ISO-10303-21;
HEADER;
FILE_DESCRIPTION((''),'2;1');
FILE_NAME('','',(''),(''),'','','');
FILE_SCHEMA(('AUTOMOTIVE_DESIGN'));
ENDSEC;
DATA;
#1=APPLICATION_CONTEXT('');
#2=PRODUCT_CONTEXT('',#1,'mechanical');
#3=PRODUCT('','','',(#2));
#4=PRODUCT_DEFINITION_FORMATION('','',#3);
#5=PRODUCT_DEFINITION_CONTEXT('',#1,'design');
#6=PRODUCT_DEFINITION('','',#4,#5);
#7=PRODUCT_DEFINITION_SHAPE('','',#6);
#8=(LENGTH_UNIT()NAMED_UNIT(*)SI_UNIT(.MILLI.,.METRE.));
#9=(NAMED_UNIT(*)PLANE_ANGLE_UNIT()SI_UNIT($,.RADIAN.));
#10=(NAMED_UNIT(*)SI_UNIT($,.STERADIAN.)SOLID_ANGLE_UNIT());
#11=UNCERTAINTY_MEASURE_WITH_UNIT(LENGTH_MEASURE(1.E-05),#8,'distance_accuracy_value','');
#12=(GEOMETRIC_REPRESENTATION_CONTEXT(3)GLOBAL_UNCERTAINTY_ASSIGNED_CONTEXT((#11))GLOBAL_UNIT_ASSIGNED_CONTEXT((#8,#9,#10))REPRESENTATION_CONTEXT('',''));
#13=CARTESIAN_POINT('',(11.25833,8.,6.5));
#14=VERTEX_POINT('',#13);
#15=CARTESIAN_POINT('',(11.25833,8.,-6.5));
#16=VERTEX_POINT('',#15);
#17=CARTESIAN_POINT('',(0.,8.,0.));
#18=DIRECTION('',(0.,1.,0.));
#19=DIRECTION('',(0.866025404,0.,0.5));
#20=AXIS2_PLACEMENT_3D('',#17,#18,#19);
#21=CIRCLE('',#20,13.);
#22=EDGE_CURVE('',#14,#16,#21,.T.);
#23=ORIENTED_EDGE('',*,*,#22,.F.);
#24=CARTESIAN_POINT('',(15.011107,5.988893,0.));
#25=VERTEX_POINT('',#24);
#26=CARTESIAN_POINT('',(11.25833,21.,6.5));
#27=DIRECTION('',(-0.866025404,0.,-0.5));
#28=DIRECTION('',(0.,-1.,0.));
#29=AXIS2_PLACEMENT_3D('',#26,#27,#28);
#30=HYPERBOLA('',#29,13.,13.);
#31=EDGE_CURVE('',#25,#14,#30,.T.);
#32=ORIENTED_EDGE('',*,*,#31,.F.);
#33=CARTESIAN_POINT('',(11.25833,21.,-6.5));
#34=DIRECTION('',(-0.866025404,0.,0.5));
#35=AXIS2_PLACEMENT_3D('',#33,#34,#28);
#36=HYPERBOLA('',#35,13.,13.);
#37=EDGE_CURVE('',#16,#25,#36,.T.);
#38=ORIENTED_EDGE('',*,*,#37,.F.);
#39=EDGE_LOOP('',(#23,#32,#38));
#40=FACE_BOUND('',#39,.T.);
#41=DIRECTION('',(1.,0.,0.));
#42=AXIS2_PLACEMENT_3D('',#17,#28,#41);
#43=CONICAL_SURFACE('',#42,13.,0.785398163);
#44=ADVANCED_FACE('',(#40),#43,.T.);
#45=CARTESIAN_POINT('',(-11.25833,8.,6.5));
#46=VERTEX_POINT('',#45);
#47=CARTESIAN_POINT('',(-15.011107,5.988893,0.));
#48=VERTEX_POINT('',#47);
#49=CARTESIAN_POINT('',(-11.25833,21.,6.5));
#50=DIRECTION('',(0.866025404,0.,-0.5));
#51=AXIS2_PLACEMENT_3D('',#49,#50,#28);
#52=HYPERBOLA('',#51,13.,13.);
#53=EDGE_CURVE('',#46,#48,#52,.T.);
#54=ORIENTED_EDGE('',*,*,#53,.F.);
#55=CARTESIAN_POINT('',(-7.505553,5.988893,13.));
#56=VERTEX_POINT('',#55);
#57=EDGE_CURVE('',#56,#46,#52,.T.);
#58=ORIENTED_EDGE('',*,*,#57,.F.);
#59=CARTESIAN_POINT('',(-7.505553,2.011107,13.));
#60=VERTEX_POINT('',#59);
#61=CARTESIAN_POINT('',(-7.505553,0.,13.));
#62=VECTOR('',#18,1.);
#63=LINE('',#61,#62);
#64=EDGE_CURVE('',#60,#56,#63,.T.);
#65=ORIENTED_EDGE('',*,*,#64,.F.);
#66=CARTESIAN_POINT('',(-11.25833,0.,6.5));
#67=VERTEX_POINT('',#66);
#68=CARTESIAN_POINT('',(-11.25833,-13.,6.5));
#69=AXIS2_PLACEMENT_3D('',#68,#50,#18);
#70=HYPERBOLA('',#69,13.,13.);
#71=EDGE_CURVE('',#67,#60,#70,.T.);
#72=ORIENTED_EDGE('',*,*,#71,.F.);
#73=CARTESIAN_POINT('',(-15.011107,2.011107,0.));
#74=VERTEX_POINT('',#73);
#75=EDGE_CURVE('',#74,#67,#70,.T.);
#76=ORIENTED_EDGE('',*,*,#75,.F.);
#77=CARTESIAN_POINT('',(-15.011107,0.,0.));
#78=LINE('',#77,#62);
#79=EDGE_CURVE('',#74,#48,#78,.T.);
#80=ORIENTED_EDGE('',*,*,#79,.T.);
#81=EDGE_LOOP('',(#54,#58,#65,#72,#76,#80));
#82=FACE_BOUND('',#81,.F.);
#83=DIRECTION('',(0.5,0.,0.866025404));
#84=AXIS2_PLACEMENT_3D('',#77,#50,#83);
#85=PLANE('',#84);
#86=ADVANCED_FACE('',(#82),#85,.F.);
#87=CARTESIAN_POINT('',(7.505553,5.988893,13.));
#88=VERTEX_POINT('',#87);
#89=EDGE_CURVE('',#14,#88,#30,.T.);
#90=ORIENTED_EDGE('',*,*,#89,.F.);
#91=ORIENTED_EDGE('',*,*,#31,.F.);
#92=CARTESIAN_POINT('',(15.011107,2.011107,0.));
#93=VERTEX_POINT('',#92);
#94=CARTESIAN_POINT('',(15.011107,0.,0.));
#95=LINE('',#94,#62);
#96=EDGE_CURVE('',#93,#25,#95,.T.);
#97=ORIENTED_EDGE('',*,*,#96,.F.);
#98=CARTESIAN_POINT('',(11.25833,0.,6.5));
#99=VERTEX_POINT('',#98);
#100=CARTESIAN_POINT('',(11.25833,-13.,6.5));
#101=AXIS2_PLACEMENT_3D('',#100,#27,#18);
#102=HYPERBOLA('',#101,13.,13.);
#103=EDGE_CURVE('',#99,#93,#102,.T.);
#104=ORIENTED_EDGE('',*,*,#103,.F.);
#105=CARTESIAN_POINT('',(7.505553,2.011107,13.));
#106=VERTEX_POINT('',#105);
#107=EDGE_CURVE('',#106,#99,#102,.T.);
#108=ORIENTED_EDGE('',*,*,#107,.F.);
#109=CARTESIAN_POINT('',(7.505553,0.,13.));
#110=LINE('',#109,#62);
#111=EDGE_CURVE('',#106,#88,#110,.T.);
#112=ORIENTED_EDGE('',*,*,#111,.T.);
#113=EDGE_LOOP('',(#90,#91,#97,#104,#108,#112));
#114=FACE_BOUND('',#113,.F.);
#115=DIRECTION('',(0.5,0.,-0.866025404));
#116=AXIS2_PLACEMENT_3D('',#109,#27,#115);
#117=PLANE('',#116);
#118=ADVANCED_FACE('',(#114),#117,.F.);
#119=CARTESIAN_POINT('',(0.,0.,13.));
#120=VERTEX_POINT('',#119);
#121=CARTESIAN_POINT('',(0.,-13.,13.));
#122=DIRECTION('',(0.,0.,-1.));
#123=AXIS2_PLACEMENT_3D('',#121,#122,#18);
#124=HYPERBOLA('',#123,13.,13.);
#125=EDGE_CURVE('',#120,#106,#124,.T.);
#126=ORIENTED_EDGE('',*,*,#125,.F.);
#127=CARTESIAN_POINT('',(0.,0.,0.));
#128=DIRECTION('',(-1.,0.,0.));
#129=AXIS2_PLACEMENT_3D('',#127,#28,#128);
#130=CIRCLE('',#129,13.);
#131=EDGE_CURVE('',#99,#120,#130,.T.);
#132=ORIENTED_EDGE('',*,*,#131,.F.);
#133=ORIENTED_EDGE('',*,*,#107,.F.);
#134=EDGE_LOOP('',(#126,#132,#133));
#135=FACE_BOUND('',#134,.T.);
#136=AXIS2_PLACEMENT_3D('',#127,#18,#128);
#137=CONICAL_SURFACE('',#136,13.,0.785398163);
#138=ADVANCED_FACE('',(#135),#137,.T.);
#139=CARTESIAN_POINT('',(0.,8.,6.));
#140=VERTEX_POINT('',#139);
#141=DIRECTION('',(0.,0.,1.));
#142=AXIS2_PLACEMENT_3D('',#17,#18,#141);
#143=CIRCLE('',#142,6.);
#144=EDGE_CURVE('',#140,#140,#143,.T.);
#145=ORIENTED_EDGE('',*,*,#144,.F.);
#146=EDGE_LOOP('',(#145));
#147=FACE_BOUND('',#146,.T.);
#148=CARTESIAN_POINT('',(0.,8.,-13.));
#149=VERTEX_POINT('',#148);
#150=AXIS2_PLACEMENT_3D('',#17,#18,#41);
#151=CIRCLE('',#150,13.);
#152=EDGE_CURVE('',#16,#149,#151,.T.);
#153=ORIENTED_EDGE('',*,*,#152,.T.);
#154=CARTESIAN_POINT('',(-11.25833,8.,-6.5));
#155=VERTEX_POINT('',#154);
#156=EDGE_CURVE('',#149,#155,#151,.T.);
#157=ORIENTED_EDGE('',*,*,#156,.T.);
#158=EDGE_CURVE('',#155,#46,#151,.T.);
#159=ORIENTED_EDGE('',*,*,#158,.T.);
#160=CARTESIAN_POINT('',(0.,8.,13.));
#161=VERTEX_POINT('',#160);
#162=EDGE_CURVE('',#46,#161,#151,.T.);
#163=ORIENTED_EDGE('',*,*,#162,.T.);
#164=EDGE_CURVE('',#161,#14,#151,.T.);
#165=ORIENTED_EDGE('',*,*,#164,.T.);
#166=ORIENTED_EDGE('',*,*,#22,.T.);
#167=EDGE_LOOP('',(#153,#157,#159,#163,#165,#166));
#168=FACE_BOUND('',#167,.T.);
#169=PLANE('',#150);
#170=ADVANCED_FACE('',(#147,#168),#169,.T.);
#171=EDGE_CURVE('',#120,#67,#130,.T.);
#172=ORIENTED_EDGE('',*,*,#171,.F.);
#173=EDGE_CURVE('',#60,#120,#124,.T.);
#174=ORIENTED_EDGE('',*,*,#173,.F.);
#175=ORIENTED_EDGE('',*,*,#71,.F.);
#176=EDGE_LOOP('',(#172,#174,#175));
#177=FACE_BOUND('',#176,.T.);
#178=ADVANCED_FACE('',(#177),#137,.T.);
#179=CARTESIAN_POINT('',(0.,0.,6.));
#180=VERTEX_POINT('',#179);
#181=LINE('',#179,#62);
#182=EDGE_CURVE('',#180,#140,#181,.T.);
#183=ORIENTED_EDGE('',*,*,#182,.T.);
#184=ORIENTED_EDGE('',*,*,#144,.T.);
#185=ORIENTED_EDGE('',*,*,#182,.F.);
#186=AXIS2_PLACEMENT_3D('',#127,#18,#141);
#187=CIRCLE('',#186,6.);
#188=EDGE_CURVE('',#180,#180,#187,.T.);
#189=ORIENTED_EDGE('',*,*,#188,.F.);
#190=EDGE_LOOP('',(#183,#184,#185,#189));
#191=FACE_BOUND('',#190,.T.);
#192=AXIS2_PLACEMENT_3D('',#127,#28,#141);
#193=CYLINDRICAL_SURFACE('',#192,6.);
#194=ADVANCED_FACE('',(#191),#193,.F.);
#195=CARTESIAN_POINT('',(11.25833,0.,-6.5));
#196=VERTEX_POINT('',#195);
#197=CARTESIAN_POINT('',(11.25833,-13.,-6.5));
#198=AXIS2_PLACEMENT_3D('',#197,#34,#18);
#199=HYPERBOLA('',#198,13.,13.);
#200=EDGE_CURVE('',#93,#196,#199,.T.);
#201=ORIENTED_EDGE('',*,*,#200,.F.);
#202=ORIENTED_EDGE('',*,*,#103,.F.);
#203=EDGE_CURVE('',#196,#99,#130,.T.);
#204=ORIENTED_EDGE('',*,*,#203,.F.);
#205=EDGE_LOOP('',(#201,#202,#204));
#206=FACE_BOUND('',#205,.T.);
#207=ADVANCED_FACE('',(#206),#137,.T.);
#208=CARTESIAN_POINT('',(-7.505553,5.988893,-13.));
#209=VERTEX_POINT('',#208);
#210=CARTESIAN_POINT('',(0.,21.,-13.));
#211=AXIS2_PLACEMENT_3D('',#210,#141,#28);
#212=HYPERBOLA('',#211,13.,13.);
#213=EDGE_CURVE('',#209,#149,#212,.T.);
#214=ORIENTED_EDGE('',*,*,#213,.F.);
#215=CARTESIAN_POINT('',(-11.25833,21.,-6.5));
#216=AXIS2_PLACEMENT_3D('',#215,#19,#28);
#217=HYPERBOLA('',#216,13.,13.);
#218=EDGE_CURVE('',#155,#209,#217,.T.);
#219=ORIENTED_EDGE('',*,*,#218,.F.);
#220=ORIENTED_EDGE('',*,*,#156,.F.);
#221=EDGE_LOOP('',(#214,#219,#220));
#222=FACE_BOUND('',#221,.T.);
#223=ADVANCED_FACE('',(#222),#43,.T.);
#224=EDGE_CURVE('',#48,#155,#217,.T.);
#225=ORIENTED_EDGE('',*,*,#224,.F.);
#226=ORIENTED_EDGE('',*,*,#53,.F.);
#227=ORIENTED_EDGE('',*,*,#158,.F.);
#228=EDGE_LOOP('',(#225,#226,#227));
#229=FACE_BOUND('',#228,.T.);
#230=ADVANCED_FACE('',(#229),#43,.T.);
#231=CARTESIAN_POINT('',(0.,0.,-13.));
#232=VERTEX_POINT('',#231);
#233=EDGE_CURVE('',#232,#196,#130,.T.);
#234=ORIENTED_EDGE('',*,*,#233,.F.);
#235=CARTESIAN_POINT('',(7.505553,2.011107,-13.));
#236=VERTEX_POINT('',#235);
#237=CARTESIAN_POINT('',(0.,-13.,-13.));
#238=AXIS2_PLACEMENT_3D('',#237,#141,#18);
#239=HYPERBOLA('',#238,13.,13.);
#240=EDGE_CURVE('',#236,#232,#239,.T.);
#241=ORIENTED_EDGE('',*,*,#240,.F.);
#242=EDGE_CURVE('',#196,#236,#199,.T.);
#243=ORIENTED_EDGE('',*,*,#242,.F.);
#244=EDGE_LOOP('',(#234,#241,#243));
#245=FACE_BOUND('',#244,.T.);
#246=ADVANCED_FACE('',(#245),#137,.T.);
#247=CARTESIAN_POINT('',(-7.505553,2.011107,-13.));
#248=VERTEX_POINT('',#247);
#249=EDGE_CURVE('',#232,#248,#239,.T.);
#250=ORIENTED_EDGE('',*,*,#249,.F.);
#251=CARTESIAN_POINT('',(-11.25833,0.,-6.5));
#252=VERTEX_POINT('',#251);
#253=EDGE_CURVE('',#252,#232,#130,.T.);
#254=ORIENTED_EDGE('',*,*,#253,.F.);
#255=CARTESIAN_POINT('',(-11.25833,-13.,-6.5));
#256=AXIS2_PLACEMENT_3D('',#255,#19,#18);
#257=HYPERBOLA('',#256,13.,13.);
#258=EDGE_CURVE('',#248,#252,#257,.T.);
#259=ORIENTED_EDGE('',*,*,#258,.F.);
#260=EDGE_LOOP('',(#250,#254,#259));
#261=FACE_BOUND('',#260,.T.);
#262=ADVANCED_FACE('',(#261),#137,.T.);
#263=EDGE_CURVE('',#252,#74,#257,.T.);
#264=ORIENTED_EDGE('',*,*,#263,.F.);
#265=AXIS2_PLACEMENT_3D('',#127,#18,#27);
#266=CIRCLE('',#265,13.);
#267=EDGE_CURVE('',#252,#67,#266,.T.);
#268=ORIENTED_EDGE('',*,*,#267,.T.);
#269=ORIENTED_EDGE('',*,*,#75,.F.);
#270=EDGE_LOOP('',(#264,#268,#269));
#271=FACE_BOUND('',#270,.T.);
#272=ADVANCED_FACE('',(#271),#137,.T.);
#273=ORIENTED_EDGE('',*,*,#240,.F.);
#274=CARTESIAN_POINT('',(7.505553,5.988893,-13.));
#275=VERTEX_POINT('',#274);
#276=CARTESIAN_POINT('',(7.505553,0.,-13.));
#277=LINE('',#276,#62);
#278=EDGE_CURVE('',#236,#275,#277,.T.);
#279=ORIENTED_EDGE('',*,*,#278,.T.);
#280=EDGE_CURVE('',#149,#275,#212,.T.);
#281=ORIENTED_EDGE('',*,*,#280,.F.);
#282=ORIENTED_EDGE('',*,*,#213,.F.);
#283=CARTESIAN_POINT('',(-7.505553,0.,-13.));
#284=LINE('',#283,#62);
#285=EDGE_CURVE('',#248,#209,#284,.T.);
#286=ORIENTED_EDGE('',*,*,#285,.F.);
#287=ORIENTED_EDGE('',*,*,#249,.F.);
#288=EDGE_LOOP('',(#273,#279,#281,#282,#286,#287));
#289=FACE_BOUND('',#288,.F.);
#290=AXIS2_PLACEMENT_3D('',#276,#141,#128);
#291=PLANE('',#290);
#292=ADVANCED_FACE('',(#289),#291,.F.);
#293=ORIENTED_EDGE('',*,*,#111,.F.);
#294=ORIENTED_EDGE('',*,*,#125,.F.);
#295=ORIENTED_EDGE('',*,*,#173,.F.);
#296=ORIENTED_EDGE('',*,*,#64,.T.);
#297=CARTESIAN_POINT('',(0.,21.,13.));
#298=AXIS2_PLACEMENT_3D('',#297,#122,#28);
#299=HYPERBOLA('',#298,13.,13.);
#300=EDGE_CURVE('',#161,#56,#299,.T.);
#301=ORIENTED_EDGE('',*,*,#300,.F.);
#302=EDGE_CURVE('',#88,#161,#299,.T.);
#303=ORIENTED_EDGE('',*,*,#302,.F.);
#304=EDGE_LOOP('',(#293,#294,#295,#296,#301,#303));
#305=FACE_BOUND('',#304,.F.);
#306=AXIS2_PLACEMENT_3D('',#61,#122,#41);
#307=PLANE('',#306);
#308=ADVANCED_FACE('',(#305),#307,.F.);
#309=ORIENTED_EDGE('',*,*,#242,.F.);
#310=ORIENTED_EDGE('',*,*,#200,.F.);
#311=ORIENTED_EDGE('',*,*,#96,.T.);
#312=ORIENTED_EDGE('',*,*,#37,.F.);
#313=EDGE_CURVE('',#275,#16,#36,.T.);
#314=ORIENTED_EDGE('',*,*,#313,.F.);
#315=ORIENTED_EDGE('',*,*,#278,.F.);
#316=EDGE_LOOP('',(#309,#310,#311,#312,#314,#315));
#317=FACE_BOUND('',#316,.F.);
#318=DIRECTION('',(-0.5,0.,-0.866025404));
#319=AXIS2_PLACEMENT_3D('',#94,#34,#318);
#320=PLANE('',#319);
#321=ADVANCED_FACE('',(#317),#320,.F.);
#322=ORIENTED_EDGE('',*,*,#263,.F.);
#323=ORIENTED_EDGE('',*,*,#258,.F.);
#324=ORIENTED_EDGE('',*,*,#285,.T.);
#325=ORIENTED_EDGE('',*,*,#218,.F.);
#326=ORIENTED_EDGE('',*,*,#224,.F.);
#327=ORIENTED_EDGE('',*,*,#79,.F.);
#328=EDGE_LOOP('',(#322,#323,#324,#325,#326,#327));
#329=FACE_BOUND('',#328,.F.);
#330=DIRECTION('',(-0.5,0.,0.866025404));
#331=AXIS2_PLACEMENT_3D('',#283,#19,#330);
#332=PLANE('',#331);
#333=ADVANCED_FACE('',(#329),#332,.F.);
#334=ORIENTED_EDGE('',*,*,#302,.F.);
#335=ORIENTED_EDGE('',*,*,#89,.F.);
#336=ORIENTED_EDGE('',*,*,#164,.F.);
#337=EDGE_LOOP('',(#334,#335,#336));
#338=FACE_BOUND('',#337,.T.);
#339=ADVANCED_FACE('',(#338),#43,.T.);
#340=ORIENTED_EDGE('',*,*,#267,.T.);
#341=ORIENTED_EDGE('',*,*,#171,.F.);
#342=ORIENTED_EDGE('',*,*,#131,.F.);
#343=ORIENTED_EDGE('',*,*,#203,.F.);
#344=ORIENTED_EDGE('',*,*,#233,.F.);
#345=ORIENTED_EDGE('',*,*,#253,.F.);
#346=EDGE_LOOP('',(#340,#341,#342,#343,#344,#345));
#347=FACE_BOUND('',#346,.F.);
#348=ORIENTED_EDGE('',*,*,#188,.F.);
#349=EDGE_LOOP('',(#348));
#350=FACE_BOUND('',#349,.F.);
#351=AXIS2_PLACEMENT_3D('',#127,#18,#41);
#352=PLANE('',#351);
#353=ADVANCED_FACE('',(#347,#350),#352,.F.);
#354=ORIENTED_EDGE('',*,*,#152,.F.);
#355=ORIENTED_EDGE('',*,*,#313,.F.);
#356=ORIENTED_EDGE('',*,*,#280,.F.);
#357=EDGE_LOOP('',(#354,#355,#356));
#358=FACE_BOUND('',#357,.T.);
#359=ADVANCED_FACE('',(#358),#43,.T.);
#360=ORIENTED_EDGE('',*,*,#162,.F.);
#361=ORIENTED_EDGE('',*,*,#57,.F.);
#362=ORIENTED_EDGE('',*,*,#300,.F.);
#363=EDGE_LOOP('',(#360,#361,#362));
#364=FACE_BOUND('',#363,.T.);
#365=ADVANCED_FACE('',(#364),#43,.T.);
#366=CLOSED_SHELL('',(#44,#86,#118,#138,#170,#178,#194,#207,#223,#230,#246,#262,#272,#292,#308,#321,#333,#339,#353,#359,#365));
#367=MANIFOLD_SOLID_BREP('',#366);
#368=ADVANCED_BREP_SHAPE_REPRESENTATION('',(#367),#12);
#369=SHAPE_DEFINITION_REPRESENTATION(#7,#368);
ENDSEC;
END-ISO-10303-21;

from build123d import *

# Parameters (mm, degrees)
SKETCH1_R           = 6
BOSS_EXTRUDE1_DEPTH = 8
SKETCH2_OUTSIDE_W   = 84.942
SKETCH2_OUTSIDE_H   = 80.92
SKETCH2_OUTSIDE_R   = 13
CUT_EXTRUDE1_DEPTH  = 22.408720964
CUT_EXTRUDE1_DRAFT  = -45
SKETCH5_OUTSIDE_W   = 84.942
SKETCH5_OUTSIDE_H   = 80.92
SKETCH5_OUTSIDE_R   = 13
CUT_EXTRUDE2_DEPTH  = 22.408720964
CUT_EXTRUDE2_DRAFT  = -45


with BuildPart() as part:
    # Sketch1 → Boss-Extrude1 (new body)
    with BuildSketch(Plane(origin=(0, 0, 0), x_dir=(1, 0, 0), z_dir=(0, 1, 0))):
        Polygon((-15.011106999, 0), (-7.505553499, -13), (7.505553499, -13), (15.011106999, 0), (7.505553499, 13), (-7.505553499, 13), align=None)
        with Locations(Location((0, 0, 0), (0, 0, 270))):
            Circle(SKETCH1_R, mode=Mode.SUBTRACT)
    extrude(amount=BOSS_EXTRUDE1_DEPTH)


with BuildPart() as cut_extrude1_tool:
    # Sketch2 outside → Cut-Extrude1 (with draft: the straight prism first)
    with BuildSketch(Plane(origin=(0, 8, 0), x_dir=(1, 0, 0), z_dir=(0, 1, 0))):
        Rectangle(SKETCH2_OUTSIDE_W, SKETCH2_OUTSIDE_H)
        Circle(SKETCH2_OUTSIDE_R, mode=Mode.SUBTRACT)
    extrude(amount=-CUT_EXTRUDE1_DEPTH)
    # Cut-Extrude1: the draft: its side faces are tilted about the plane it starts from
    cut_extrude1_sides = [cut_extrude1_tool.faces().sort_by_distance(p)[0] for p in [
        (0, -3.204360482, 40.46),
        (42.471, -3.204360482, 0),
        (0, -3.204360482, -40.46),
        (-42.471, -3.204360482, 0),
        (-13, -3.204360482, 0),
    ]]
    draft(cut_extrude1_sides, Plane(origin=(0, 8, 0), x_dir=(1, 0, 0), z_dir=(0, 1, 0)), CUT_EXTRUDE1_DRAFT)


with BuildPart() as part_1:
    add(part.part)

    # Cut-Extrude1: cut by cut_extrude1_tool
    add(cut_extrude1_tool.part, mode=Mode.SUBTRACT)


with BuildPart() as cut_extrude2_tool:
    # Sketch5 outside → Cut-Extrude2 (with draft: the straight prism first)
    with BuildSketch(Plane(origin=(0, 0, 0), x_dir=(-1, 0, 0), z_dir=(0, -1, 0))):
        Rectangle(SKETCH5_OUTSIDE_W, SKETCH5_OUTSIDE_H)
        Circle(SKETCH5_OUTSIDE_R, mode=Mode.SUBTRACT)
    extrude(amount=-CUT_EXTRUDE2_DEPTH)
    # Cut-Extrude2: the draft: its side faces are tilted about the plane it starts from
    cut_extrude2_sides = [cut_extrude2_tool.faces().sort_by_distance(p)[0] for p in [
        (0, 11.204360482, 40.46),
        (-42.471, 11.204360482, 0),
        (0, 11.204360482, -40.46),
        (42.471, 11.204360482, 0),
        (13, 11.204360482, 0),
    ]]
    draft(cut_extrude2_sides, Plane(origin=(0, 0, 0), x_dir=(-1, 0, 0), z_dir=(0, -1, 0)), CUT_EXTRUDE2_DRAFT)


with BuildPart() as part_2:
    add(part_1.part)

    # Cut-Extrude2: cut by cut_extrude2_tool
    add(cut_extrude2_tool.part, mode=Mode.SUBTRACT)


solid = part_2.part
